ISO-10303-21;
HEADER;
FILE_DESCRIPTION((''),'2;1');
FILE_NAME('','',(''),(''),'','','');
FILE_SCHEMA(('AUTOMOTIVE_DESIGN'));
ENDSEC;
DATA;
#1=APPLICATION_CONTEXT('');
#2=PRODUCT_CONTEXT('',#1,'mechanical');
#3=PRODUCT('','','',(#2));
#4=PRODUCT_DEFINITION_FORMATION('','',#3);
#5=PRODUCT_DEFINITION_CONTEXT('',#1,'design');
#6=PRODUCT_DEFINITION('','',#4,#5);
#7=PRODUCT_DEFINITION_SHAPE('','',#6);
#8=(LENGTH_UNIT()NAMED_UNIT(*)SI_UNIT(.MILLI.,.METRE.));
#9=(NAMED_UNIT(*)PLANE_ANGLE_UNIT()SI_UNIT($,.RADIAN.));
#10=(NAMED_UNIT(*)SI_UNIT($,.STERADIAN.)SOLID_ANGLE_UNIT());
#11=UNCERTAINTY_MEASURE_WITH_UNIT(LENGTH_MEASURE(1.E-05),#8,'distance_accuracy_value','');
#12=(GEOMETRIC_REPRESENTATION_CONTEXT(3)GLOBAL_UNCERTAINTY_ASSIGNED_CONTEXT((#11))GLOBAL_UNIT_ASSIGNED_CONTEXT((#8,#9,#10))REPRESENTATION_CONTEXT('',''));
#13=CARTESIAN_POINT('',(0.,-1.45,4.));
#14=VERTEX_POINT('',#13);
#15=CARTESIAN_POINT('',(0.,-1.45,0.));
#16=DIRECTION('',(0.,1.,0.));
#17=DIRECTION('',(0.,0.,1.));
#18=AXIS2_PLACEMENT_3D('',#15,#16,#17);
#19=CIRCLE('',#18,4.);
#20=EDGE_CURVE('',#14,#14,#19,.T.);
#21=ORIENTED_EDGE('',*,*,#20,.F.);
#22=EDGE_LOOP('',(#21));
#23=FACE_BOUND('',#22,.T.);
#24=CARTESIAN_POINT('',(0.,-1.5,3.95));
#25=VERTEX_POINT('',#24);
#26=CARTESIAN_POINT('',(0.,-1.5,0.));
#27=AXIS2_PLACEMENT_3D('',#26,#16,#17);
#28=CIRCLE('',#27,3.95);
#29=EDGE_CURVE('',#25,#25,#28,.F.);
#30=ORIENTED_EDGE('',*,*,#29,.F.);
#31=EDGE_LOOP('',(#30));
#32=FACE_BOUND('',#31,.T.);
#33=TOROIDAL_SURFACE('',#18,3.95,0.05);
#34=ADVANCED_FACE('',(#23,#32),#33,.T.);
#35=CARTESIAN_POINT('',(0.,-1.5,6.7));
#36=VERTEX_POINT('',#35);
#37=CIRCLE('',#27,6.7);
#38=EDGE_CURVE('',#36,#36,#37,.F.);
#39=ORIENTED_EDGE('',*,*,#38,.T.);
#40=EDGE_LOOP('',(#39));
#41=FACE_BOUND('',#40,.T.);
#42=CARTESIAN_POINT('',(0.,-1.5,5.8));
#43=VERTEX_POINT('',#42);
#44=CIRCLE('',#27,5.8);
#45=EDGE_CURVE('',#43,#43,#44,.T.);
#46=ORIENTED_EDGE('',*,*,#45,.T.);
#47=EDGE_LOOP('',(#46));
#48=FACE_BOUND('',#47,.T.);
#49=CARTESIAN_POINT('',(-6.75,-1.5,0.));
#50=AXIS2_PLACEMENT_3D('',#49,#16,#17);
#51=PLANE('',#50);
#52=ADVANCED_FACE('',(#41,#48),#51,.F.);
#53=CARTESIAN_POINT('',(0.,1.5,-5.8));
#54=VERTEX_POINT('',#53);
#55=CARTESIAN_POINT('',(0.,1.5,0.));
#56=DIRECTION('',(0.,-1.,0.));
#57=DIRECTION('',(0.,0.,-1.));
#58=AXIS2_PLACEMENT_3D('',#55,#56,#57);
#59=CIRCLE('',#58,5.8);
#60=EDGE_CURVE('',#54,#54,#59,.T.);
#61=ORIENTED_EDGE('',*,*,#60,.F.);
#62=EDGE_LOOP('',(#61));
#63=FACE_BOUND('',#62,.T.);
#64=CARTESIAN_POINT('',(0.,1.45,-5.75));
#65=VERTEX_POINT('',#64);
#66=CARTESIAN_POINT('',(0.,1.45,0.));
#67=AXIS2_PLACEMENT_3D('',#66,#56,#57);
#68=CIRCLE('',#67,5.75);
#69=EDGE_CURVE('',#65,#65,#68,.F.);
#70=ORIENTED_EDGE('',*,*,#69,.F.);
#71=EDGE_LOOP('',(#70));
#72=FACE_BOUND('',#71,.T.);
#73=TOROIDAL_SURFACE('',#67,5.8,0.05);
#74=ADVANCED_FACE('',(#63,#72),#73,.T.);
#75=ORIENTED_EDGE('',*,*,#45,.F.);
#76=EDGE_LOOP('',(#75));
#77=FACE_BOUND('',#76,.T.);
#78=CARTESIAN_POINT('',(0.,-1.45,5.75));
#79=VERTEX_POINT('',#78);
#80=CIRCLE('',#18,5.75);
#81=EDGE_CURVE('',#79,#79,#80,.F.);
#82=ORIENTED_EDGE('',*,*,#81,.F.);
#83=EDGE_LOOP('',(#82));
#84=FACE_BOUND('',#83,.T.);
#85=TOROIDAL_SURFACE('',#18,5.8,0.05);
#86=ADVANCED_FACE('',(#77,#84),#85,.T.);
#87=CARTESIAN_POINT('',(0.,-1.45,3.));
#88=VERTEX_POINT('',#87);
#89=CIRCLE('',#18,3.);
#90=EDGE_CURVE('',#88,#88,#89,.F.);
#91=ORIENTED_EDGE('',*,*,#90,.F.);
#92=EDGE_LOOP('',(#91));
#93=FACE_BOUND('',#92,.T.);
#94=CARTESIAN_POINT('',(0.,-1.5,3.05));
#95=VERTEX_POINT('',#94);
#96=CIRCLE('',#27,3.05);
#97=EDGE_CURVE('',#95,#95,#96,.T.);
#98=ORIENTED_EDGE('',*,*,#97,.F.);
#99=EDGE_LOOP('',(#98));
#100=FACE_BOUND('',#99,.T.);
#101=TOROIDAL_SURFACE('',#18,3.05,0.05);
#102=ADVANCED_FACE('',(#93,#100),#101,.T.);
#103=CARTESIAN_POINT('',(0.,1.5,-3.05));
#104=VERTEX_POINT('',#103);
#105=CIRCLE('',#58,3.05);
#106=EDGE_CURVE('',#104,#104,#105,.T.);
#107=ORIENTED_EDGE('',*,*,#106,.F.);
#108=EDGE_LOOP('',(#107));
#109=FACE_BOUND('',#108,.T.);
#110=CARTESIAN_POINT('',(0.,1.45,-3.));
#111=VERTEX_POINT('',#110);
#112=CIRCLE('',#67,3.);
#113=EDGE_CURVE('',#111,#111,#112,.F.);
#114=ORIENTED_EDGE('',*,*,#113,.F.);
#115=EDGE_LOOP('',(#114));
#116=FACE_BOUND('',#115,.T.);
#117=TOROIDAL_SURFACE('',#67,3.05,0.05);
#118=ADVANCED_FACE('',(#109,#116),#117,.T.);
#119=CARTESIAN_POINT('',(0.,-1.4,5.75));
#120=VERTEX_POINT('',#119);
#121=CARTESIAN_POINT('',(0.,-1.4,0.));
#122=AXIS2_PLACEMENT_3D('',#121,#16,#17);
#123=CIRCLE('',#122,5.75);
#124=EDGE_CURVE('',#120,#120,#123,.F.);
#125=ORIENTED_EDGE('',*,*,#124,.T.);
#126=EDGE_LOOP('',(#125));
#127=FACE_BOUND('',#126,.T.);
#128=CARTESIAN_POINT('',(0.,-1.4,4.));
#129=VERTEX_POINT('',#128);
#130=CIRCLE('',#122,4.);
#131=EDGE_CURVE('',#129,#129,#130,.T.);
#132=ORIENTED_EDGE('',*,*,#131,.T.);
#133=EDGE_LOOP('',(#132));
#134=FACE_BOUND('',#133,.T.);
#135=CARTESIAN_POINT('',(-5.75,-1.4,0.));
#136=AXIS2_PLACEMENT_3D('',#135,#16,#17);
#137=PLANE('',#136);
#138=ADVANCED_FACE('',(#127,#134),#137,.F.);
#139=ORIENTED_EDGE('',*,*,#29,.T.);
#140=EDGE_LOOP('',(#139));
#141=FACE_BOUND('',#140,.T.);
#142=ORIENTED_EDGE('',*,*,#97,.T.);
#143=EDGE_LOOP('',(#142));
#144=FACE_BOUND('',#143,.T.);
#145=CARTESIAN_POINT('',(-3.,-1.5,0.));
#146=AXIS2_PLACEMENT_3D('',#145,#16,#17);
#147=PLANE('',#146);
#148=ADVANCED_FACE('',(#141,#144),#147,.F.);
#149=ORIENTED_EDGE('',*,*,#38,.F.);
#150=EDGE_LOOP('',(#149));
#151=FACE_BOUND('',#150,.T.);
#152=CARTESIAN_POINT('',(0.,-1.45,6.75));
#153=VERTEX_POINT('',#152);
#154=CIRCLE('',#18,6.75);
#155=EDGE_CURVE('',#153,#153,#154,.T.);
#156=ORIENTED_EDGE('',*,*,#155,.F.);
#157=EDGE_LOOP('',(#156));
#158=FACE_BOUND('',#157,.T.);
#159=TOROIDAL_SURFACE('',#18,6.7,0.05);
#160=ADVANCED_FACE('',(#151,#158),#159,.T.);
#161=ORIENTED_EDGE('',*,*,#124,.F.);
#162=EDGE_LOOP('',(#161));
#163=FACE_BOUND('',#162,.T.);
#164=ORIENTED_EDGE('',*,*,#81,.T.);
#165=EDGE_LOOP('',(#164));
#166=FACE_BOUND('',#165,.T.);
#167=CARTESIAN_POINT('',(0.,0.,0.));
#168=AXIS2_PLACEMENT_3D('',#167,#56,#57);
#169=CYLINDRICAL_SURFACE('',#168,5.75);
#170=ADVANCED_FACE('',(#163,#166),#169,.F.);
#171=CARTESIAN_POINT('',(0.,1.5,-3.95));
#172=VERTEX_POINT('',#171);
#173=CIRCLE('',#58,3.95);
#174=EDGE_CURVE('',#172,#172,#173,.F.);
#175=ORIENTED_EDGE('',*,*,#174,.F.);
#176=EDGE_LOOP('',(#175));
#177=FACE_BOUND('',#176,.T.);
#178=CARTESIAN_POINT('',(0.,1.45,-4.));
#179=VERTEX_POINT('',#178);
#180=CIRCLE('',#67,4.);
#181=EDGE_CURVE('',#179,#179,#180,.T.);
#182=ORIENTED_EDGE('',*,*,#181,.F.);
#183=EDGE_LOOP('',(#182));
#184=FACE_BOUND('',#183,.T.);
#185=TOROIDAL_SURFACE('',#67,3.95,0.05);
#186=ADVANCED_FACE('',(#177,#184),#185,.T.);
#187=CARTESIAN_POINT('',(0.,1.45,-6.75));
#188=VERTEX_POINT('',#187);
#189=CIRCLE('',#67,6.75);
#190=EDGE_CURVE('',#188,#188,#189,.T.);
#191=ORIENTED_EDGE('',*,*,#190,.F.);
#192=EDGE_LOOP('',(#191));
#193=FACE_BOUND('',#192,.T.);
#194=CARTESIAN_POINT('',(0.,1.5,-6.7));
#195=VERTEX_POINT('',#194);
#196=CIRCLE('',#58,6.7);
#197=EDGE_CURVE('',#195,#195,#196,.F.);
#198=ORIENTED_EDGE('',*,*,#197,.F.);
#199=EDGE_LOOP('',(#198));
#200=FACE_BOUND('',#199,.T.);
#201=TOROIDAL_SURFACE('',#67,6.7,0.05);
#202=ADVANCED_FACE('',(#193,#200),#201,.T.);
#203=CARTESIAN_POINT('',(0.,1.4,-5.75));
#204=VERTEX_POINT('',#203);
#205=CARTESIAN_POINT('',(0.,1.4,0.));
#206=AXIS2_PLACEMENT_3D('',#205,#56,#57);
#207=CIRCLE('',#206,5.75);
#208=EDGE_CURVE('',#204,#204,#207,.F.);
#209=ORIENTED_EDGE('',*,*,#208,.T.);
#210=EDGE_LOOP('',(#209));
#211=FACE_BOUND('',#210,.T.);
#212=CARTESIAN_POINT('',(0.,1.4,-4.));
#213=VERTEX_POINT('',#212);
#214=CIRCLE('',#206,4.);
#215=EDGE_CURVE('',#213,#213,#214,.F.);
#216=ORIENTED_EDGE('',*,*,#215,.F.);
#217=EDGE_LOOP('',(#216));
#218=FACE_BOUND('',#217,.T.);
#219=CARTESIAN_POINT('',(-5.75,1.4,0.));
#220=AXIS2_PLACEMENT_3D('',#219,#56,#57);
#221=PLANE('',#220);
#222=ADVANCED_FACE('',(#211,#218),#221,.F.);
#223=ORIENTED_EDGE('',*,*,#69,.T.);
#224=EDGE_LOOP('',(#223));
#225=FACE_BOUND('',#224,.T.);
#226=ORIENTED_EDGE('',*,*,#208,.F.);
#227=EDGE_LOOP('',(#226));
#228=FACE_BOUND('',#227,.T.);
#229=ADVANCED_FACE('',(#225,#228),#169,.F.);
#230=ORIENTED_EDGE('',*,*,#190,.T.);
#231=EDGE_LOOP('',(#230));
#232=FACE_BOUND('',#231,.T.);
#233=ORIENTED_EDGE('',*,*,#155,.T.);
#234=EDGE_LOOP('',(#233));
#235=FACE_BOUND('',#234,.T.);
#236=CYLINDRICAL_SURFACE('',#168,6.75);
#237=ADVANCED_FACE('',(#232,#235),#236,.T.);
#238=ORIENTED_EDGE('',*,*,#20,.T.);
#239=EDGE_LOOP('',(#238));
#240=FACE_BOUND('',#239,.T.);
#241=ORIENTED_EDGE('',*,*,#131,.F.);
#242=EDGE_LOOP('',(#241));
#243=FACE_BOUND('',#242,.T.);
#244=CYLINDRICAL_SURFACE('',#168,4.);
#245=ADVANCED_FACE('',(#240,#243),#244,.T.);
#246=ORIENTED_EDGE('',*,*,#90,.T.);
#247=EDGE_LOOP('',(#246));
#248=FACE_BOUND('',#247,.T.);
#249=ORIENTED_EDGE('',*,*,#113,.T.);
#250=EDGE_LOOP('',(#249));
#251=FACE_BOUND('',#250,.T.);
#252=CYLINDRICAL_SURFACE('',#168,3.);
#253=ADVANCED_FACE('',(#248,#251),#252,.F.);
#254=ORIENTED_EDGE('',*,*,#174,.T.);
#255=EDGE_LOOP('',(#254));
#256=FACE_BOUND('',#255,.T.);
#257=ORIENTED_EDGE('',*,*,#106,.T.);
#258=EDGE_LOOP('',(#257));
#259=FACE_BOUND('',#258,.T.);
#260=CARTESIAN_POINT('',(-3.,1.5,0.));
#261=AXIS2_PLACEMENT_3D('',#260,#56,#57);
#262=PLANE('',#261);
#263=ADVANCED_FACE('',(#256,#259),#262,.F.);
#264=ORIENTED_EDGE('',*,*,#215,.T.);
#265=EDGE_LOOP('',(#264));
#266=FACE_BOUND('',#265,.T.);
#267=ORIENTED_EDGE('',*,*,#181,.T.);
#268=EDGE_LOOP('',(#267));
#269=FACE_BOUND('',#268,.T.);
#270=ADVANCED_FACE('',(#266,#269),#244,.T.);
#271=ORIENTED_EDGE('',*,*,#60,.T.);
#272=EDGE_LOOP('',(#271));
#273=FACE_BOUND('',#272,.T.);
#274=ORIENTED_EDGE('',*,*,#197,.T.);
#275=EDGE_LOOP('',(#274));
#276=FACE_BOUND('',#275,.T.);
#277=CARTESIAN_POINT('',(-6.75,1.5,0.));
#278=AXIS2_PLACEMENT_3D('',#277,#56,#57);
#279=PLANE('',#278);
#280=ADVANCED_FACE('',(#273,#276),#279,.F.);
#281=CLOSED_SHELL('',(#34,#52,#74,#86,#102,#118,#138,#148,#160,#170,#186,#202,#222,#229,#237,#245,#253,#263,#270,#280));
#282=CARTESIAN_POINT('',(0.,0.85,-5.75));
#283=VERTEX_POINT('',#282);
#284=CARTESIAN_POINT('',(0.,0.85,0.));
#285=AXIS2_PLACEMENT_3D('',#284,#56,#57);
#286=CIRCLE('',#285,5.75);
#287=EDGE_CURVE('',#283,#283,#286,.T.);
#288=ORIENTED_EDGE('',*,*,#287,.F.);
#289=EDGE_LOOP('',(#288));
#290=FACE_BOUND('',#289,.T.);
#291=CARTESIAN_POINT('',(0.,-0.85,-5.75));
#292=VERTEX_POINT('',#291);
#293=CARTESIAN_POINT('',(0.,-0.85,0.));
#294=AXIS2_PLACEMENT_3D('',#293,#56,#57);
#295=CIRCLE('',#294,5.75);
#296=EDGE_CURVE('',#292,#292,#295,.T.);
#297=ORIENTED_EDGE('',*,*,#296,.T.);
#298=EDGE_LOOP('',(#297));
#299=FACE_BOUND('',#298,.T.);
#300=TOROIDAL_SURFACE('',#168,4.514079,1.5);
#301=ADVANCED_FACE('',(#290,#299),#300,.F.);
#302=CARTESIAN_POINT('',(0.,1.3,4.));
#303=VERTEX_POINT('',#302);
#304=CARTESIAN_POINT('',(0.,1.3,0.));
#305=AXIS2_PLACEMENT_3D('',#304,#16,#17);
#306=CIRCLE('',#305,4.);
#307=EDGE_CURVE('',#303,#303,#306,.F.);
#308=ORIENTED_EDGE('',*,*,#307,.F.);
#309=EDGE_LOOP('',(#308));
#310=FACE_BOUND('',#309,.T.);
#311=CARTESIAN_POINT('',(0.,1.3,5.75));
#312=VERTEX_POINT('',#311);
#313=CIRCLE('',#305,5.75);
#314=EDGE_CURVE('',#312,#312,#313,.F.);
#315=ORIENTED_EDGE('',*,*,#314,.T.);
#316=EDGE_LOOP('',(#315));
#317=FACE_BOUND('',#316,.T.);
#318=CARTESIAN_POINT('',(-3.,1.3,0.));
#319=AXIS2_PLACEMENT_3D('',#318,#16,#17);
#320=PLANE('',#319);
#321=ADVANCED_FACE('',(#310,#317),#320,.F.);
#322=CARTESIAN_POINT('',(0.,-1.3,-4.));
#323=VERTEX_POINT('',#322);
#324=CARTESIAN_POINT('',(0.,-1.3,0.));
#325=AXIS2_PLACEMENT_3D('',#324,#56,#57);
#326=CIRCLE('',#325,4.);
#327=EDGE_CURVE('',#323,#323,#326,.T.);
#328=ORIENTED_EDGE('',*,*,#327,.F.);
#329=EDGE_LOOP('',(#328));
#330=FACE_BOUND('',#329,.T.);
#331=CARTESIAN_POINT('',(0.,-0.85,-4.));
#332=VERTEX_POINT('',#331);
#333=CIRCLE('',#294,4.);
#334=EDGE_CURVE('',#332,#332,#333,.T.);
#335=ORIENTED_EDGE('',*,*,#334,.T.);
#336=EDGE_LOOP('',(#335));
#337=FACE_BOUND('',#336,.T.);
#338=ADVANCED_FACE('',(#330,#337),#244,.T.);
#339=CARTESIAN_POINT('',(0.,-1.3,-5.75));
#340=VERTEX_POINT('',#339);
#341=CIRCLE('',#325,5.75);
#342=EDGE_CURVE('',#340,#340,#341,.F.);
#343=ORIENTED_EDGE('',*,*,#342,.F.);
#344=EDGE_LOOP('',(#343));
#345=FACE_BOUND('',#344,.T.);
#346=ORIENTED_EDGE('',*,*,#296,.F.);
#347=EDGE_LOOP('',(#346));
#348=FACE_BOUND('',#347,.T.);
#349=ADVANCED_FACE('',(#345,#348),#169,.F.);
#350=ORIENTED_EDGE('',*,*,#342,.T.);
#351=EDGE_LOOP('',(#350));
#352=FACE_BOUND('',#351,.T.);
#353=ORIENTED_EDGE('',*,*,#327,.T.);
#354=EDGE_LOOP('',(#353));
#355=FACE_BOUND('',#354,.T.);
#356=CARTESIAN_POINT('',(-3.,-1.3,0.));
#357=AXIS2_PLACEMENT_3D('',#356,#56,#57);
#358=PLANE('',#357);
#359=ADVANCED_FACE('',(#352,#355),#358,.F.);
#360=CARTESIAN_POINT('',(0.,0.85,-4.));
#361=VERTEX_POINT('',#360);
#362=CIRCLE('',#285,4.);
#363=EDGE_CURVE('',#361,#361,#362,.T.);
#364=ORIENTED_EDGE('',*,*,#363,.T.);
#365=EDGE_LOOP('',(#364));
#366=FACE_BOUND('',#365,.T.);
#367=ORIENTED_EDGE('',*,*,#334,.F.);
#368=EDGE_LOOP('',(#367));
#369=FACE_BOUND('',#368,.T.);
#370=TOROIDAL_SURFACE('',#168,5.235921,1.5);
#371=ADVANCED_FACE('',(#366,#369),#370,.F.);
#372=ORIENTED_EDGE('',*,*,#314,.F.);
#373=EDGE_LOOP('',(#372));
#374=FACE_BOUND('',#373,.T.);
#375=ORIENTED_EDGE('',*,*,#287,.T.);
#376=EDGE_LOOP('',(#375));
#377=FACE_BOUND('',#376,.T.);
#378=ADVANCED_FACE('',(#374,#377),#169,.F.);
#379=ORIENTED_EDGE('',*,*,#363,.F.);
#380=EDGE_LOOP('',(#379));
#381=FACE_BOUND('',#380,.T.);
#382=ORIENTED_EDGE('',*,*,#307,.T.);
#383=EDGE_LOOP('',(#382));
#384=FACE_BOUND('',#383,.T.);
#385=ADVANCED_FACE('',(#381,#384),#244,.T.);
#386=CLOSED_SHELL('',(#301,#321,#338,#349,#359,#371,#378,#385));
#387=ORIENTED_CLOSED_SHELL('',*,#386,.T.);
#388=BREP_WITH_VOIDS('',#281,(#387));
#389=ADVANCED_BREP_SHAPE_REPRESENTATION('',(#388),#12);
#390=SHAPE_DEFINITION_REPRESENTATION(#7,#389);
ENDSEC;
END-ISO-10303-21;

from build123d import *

# Parameters (mm, degrees)
SKETCH3_W = 2.75
SKETCH3_H = 0.1
FILLET1_R = 0.05
FILLET2_R = 0.05


with BuildPart() as part:
    # Sketch1 → Revolve1 (revolve)
    with BuildSketch(Plane.XY, mode=Mode.PRIVATE) as revolve1_sk:
        with BuildLine():
            Line((-6.75, 1.5), (-5.75, 1.5))
            Line((-5.75, 1.5), (-5.75, 0.85))
            ThreePointArc((-5.75, 0.85), (-6.014079291, 0), (-5.75, -0.85))
            Line((-5.75, -0.85), (-5.75, -1.5))
            Line((-5.75, -1.5), (-6.75, -1.5))
            Line((-6.75, -1.5), (-6.75, 1.5))
        make_face()
        with BuildLine():
            Line((-4, -1.5), (-4, -0.85))
            ThreePointArc((-4, -0.85), (-3.735920709, 0), (-4, 0.85))
            Line((-4, 0.85), (-4, 1.5))
            Line((-4, 1.5), (-3, 1.5))
            Line((-3, 1.5), (-3, -1.5))
            Line((-3, -1.5), (-4, -1.5))
        make_face()
    revolve(revolve1_sk.sketch.rotate(Axis((0, 0, 0), (0, 1, 0)), 270), axis=Axis((0, 0, 0), (0, 1, 0)))

    # Sketch3 → Revolve3 (revolve)
    with BuildSketch(Plane.XY, mode=Mode.PRIVATE) as revolve3_sk:
        with Locations((-4.375, 1.35)):
            Rectangle(SKETCH3_W, SKETCH3_H)
        with Locations((-4.375, -1.35)):
            Rectangle(SKETCH3_W, SKETCH3_H)
    revolve(revolve3_sk.sketch.rotate(Axis((0, 0, 0), (0, 1, 0)), 270), axis=Axis((0, 0, 0), (0, 1, 0)))

    # Fillet1
    fillet1_edges = [part.edges().sort_by_distance(p)[0] for p in [
        (0, -1.5, 6.75),
        (0, -1.5, 5.75),
        (0, 1.5, 5.75),
        (0, 1.5, 6.75),
    ]]
    fillet(fillet1_edges, radius=FILLET1_R)

    # Fillet2
    fillet2_edges = [part.edges().sort_by_distance(p)[0] for p in [
        (0, -1.5, 3),
        (0, 1.5, 4),
        (0, -1.5, 4),
        (0, 1.5, 3),
    ]]
    fillet(fillet2_edges, radius=FILLET2_R)


solid = part.part
